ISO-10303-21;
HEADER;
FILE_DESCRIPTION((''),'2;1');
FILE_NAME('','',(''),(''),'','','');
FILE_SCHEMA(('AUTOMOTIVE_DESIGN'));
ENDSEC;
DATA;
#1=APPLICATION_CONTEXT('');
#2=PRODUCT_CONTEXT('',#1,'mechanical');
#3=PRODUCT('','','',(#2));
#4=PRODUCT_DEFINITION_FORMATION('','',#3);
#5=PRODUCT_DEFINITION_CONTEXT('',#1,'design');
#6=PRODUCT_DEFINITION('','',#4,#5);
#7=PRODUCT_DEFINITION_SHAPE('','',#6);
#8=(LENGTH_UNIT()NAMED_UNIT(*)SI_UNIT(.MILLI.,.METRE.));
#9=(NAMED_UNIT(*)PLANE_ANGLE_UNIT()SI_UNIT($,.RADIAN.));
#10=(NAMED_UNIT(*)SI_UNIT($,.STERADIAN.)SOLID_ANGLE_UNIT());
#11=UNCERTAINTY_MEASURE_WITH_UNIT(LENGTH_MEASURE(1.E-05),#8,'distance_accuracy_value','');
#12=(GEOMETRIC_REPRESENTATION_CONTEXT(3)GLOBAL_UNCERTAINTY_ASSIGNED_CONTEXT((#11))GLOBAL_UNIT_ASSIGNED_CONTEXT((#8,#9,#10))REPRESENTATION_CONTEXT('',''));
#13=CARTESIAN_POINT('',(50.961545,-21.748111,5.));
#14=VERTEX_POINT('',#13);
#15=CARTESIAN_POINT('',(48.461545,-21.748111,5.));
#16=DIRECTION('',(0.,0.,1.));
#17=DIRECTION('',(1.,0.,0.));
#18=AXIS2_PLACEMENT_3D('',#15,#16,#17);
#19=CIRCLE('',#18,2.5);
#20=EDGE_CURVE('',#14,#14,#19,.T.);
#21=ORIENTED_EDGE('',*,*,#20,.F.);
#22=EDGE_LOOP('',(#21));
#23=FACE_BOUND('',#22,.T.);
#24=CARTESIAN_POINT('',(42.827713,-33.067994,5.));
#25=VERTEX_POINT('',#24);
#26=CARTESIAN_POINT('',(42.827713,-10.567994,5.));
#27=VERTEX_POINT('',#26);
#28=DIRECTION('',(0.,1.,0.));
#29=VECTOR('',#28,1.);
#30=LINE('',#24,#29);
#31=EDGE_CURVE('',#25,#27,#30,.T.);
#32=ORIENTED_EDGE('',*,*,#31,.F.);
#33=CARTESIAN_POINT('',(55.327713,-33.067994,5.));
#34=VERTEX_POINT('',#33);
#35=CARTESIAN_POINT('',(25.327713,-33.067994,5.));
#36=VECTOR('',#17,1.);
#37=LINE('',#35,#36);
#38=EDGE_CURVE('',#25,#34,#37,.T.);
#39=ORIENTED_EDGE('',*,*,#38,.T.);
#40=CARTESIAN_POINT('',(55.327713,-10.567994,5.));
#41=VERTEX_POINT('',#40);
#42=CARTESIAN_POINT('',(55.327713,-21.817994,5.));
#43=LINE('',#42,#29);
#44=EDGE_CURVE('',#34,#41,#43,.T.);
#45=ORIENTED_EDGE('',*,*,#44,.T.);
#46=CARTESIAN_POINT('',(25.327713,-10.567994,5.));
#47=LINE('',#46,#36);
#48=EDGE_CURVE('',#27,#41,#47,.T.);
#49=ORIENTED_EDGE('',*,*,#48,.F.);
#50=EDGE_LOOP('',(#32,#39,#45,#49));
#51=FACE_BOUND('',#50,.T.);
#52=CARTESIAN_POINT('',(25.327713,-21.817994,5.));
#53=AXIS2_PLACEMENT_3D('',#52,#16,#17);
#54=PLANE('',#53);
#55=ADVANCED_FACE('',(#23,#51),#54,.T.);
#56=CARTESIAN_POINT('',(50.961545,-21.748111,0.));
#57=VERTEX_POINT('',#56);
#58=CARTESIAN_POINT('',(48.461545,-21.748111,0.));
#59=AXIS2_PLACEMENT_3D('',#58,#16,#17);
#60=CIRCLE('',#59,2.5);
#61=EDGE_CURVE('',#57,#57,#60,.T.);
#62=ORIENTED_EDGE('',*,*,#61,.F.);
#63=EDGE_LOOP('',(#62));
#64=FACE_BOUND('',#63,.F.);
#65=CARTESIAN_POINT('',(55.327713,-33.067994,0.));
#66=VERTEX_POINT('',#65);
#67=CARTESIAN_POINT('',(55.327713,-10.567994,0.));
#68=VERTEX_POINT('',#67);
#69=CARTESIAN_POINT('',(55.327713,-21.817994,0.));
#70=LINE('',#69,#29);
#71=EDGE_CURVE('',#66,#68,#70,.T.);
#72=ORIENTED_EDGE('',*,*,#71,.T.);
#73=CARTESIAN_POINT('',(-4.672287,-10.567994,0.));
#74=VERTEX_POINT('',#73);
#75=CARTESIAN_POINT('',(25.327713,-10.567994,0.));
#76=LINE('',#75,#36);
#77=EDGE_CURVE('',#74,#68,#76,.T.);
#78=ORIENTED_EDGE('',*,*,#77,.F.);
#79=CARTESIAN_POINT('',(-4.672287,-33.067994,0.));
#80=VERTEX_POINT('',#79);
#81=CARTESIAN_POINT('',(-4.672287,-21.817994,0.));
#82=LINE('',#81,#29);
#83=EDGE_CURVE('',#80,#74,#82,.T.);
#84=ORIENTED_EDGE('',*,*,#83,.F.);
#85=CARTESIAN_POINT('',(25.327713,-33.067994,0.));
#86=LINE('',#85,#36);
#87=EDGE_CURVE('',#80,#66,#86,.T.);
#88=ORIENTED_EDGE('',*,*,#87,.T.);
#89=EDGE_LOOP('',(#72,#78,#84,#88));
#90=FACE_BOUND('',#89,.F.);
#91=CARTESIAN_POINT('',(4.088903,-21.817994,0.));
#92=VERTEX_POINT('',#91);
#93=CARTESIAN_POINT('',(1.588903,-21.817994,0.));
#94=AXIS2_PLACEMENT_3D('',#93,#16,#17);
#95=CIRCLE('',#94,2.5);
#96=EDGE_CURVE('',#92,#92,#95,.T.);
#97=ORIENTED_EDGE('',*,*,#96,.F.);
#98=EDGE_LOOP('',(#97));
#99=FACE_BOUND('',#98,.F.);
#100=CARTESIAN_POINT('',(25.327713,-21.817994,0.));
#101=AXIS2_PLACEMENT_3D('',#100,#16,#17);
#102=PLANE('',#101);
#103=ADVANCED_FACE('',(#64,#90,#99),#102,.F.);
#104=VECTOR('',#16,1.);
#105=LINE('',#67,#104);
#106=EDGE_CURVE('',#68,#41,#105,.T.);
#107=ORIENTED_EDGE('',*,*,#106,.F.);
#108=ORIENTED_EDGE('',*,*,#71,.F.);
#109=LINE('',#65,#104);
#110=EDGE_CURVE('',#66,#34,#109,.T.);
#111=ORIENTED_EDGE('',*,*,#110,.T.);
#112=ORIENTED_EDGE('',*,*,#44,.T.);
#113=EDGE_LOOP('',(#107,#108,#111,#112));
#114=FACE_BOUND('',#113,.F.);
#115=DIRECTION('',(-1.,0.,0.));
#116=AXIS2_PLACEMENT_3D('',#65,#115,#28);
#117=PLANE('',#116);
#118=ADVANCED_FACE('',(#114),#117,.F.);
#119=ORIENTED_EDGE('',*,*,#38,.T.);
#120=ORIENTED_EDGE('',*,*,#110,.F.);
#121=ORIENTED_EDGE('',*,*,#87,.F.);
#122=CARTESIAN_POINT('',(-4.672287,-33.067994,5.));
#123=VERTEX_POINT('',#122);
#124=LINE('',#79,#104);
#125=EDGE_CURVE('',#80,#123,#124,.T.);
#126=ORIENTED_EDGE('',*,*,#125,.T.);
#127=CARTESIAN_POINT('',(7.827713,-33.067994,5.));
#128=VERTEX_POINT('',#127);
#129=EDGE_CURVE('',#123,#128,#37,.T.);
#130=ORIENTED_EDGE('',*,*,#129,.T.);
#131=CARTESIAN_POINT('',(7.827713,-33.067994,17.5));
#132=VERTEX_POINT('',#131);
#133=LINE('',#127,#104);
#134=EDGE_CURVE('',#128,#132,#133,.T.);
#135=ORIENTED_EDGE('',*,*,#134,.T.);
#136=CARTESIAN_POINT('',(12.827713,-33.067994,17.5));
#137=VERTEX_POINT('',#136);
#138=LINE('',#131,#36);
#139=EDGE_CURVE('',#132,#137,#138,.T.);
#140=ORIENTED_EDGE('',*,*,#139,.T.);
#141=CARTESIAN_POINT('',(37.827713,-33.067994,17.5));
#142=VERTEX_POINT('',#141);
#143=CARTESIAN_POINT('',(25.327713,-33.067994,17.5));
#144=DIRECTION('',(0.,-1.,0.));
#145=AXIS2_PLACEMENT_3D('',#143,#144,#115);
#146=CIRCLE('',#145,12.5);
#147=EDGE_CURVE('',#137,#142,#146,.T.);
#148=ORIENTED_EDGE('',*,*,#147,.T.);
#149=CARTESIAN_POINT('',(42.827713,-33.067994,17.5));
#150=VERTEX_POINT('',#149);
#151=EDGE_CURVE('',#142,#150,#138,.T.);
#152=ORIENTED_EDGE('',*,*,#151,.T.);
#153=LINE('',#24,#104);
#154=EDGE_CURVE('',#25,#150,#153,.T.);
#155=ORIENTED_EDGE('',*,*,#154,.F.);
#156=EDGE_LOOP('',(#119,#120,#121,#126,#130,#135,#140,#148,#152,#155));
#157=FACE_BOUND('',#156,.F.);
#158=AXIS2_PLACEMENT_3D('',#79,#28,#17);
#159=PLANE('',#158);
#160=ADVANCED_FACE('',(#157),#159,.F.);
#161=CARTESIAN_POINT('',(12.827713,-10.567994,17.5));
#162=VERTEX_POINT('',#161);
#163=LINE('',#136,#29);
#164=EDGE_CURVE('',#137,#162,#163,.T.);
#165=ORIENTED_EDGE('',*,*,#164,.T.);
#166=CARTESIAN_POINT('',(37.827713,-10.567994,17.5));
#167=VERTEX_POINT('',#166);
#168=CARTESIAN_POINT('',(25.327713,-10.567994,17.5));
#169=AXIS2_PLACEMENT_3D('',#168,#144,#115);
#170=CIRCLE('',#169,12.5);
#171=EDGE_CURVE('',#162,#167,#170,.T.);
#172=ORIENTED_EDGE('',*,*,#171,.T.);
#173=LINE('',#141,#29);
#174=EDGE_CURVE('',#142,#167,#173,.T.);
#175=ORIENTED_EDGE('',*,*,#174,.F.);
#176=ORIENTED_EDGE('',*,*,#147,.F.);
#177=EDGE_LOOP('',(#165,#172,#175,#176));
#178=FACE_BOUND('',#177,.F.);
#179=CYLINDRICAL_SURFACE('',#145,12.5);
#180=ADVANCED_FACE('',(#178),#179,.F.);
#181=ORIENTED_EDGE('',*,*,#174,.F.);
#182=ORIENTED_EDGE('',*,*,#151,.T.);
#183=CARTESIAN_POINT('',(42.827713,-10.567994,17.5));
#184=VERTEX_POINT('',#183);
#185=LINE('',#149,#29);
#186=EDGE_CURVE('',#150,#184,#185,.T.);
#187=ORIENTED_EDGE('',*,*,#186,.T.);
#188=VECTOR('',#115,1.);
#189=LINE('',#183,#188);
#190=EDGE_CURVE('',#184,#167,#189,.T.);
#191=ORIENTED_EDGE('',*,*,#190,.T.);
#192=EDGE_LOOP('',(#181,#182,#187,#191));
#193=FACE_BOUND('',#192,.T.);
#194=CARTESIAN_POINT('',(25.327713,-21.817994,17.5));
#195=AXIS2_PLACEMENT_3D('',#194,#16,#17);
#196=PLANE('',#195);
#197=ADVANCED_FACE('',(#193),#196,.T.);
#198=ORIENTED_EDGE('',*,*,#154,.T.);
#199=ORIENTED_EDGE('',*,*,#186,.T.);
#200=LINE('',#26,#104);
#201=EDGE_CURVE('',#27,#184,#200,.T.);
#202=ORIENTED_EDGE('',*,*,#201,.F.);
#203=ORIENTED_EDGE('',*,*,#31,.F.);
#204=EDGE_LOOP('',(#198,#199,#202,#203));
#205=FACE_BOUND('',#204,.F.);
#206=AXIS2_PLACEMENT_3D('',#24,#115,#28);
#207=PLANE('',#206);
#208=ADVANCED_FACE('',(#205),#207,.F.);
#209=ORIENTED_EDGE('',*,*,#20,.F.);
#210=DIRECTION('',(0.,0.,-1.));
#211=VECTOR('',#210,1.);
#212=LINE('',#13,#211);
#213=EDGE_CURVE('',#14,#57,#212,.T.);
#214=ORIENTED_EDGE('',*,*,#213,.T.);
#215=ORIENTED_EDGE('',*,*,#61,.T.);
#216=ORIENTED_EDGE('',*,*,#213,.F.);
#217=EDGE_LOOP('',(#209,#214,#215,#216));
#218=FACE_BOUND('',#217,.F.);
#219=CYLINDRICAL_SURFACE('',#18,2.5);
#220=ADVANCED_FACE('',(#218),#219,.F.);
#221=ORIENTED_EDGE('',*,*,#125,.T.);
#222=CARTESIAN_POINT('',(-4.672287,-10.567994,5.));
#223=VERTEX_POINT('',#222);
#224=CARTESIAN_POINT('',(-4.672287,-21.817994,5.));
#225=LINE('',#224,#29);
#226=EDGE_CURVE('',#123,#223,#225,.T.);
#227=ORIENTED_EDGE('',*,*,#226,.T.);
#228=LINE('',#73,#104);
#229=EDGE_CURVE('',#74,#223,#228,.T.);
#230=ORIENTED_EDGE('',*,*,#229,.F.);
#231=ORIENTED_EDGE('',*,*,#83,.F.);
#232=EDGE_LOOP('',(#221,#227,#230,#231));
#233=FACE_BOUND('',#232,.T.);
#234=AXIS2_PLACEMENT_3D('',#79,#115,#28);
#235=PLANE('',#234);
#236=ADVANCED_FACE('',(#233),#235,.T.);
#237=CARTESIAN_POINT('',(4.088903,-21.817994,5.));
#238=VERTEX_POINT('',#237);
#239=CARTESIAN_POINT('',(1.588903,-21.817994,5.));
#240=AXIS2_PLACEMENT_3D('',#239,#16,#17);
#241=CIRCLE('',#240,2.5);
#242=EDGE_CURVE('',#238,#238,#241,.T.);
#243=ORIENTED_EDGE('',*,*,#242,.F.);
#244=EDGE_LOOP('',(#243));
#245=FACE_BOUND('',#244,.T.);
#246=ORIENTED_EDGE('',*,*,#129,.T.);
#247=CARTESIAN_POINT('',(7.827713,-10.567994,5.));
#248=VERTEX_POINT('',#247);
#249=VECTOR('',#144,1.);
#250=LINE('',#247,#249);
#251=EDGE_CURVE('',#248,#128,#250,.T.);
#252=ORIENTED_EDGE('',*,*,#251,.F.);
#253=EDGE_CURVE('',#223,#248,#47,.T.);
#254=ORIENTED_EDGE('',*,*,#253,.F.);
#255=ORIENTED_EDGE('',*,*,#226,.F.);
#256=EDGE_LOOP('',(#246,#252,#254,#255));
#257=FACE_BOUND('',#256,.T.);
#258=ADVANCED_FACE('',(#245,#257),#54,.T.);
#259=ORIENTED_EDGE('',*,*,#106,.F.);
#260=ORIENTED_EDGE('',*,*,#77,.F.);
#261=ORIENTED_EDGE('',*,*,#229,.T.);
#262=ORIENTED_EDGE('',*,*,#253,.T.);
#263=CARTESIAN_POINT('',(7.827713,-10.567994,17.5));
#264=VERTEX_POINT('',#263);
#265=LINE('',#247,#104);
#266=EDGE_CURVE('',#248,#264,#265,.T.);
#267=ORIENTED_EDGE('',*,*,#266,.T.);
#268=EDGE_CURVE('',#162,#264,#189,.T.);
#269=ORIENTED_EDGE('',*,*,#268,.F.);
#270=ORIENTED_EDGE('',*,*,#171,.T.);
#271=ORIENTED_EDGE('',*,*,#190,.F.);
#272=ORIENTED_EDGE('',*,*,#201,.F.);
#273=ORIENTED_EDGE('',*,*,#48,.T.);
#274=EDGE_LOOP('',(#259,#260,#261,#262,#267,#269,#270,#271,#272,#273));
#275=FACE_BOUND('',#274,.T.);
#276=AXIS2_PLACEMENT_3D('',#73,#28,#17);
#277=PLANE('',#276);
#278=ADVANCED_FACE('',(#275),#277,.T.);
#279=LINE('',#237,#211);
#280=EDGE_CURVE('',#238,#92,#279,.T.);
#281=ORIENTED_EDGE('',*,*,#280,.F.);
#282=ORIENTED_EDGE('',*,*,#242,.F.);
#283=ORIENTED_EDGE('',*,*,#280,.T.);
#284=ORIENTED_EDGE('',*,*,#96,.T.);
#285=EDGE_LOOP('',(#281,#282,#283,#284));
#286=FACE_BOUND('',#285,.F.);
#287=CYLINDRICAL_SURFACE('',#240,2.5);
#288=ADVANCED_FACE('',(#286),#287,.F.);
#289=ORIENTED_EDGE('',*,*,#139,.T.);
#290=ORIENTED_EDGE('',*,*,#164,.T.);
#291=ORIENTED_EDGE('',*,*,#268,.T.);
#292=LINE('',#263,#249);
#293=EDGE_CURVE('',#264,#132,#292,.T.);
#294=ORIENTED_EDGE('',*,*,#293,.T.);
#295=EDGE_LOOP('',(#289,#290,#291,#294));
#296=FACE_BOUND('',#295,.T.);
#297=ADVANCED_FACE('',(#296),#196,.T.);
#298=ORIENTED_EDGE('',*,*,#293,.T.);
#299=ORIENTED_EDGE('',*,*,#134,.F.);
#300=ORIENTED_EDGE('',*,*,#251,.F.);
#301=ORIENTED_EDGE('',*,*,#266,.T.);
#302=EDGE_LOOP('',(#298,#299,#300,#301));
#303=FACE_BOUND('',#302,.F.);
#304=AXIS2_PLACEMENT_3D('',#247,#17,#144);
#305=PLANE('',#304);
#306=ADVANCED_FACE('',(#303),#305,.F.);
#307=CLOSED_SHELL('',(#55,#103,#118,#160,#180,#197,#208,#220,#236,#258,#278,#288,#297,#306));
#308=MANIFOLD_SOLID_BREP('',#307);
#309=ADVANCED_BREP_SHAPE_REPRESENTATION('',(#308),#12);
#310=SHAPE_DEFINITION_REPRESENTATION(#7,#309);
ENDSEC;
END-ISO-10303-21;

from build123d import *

# Parameters (mm, degrees)
F0_W     = 60
F0_H     = 22.5
F1_DEPTH = 5
F3_DEPTH = 12.5
F5_DEPTH = 22.501
F6_R     = 2.5
F7_DEPTH = 5.001


with BuildPart() as f1:
    # F0 (on Top) → F1 (new body)
    with BuildSketch(Plane.XY):
        with Locations((25.3277134895, -21.8179938197)):
            Rectangle(F0_W, F0_H)
    extrude(amount=F1_DEPTH)

    # F2 (on face) → F3 (join)
    with BuildSketch(Plane.XY.offset(5)):
        Polygon((42.8277134895, -33.0679938197), (42.8277134895, -18.2918962091), (42.8277134895, -10.5679938197), (7.8277134895, -10.5679938197), (7.8277134895, -21.8179938197), (7.8277134895, -33.0679938197), align=None)
    extrude(amount=F3_DEPTH)

    # F4 (on face) → F5 (cut, through all)
    with BuildSketch(Plane.XZ.offset(33.0679938197)):
        with BuildLine():
            ThreePointArc((12.8277134895, 17.5), (25.3277134895, 5), (37.8277134895, 17.5))
            Line((37.8277134895, 17.5), (12.8277134895, 17.5))
        make_face()
    extrude(amount=-F5_DEPTH, mode=Mode.SUBTRACT)

    # F6 (on face) → F7 (cut, through all)
    with BuildSketch(Plane.XY.offset(5)):
        with Locations((1.5889033675, -21.8179938197)):
            Circle(F6_R)
        with Locations((48.4615452588, -21.748110652)):
            Circle(F6_R)
    extrude(amount=-F7_DEPTH, mode=Mode.SUBTRACT)


solid = f1.part
